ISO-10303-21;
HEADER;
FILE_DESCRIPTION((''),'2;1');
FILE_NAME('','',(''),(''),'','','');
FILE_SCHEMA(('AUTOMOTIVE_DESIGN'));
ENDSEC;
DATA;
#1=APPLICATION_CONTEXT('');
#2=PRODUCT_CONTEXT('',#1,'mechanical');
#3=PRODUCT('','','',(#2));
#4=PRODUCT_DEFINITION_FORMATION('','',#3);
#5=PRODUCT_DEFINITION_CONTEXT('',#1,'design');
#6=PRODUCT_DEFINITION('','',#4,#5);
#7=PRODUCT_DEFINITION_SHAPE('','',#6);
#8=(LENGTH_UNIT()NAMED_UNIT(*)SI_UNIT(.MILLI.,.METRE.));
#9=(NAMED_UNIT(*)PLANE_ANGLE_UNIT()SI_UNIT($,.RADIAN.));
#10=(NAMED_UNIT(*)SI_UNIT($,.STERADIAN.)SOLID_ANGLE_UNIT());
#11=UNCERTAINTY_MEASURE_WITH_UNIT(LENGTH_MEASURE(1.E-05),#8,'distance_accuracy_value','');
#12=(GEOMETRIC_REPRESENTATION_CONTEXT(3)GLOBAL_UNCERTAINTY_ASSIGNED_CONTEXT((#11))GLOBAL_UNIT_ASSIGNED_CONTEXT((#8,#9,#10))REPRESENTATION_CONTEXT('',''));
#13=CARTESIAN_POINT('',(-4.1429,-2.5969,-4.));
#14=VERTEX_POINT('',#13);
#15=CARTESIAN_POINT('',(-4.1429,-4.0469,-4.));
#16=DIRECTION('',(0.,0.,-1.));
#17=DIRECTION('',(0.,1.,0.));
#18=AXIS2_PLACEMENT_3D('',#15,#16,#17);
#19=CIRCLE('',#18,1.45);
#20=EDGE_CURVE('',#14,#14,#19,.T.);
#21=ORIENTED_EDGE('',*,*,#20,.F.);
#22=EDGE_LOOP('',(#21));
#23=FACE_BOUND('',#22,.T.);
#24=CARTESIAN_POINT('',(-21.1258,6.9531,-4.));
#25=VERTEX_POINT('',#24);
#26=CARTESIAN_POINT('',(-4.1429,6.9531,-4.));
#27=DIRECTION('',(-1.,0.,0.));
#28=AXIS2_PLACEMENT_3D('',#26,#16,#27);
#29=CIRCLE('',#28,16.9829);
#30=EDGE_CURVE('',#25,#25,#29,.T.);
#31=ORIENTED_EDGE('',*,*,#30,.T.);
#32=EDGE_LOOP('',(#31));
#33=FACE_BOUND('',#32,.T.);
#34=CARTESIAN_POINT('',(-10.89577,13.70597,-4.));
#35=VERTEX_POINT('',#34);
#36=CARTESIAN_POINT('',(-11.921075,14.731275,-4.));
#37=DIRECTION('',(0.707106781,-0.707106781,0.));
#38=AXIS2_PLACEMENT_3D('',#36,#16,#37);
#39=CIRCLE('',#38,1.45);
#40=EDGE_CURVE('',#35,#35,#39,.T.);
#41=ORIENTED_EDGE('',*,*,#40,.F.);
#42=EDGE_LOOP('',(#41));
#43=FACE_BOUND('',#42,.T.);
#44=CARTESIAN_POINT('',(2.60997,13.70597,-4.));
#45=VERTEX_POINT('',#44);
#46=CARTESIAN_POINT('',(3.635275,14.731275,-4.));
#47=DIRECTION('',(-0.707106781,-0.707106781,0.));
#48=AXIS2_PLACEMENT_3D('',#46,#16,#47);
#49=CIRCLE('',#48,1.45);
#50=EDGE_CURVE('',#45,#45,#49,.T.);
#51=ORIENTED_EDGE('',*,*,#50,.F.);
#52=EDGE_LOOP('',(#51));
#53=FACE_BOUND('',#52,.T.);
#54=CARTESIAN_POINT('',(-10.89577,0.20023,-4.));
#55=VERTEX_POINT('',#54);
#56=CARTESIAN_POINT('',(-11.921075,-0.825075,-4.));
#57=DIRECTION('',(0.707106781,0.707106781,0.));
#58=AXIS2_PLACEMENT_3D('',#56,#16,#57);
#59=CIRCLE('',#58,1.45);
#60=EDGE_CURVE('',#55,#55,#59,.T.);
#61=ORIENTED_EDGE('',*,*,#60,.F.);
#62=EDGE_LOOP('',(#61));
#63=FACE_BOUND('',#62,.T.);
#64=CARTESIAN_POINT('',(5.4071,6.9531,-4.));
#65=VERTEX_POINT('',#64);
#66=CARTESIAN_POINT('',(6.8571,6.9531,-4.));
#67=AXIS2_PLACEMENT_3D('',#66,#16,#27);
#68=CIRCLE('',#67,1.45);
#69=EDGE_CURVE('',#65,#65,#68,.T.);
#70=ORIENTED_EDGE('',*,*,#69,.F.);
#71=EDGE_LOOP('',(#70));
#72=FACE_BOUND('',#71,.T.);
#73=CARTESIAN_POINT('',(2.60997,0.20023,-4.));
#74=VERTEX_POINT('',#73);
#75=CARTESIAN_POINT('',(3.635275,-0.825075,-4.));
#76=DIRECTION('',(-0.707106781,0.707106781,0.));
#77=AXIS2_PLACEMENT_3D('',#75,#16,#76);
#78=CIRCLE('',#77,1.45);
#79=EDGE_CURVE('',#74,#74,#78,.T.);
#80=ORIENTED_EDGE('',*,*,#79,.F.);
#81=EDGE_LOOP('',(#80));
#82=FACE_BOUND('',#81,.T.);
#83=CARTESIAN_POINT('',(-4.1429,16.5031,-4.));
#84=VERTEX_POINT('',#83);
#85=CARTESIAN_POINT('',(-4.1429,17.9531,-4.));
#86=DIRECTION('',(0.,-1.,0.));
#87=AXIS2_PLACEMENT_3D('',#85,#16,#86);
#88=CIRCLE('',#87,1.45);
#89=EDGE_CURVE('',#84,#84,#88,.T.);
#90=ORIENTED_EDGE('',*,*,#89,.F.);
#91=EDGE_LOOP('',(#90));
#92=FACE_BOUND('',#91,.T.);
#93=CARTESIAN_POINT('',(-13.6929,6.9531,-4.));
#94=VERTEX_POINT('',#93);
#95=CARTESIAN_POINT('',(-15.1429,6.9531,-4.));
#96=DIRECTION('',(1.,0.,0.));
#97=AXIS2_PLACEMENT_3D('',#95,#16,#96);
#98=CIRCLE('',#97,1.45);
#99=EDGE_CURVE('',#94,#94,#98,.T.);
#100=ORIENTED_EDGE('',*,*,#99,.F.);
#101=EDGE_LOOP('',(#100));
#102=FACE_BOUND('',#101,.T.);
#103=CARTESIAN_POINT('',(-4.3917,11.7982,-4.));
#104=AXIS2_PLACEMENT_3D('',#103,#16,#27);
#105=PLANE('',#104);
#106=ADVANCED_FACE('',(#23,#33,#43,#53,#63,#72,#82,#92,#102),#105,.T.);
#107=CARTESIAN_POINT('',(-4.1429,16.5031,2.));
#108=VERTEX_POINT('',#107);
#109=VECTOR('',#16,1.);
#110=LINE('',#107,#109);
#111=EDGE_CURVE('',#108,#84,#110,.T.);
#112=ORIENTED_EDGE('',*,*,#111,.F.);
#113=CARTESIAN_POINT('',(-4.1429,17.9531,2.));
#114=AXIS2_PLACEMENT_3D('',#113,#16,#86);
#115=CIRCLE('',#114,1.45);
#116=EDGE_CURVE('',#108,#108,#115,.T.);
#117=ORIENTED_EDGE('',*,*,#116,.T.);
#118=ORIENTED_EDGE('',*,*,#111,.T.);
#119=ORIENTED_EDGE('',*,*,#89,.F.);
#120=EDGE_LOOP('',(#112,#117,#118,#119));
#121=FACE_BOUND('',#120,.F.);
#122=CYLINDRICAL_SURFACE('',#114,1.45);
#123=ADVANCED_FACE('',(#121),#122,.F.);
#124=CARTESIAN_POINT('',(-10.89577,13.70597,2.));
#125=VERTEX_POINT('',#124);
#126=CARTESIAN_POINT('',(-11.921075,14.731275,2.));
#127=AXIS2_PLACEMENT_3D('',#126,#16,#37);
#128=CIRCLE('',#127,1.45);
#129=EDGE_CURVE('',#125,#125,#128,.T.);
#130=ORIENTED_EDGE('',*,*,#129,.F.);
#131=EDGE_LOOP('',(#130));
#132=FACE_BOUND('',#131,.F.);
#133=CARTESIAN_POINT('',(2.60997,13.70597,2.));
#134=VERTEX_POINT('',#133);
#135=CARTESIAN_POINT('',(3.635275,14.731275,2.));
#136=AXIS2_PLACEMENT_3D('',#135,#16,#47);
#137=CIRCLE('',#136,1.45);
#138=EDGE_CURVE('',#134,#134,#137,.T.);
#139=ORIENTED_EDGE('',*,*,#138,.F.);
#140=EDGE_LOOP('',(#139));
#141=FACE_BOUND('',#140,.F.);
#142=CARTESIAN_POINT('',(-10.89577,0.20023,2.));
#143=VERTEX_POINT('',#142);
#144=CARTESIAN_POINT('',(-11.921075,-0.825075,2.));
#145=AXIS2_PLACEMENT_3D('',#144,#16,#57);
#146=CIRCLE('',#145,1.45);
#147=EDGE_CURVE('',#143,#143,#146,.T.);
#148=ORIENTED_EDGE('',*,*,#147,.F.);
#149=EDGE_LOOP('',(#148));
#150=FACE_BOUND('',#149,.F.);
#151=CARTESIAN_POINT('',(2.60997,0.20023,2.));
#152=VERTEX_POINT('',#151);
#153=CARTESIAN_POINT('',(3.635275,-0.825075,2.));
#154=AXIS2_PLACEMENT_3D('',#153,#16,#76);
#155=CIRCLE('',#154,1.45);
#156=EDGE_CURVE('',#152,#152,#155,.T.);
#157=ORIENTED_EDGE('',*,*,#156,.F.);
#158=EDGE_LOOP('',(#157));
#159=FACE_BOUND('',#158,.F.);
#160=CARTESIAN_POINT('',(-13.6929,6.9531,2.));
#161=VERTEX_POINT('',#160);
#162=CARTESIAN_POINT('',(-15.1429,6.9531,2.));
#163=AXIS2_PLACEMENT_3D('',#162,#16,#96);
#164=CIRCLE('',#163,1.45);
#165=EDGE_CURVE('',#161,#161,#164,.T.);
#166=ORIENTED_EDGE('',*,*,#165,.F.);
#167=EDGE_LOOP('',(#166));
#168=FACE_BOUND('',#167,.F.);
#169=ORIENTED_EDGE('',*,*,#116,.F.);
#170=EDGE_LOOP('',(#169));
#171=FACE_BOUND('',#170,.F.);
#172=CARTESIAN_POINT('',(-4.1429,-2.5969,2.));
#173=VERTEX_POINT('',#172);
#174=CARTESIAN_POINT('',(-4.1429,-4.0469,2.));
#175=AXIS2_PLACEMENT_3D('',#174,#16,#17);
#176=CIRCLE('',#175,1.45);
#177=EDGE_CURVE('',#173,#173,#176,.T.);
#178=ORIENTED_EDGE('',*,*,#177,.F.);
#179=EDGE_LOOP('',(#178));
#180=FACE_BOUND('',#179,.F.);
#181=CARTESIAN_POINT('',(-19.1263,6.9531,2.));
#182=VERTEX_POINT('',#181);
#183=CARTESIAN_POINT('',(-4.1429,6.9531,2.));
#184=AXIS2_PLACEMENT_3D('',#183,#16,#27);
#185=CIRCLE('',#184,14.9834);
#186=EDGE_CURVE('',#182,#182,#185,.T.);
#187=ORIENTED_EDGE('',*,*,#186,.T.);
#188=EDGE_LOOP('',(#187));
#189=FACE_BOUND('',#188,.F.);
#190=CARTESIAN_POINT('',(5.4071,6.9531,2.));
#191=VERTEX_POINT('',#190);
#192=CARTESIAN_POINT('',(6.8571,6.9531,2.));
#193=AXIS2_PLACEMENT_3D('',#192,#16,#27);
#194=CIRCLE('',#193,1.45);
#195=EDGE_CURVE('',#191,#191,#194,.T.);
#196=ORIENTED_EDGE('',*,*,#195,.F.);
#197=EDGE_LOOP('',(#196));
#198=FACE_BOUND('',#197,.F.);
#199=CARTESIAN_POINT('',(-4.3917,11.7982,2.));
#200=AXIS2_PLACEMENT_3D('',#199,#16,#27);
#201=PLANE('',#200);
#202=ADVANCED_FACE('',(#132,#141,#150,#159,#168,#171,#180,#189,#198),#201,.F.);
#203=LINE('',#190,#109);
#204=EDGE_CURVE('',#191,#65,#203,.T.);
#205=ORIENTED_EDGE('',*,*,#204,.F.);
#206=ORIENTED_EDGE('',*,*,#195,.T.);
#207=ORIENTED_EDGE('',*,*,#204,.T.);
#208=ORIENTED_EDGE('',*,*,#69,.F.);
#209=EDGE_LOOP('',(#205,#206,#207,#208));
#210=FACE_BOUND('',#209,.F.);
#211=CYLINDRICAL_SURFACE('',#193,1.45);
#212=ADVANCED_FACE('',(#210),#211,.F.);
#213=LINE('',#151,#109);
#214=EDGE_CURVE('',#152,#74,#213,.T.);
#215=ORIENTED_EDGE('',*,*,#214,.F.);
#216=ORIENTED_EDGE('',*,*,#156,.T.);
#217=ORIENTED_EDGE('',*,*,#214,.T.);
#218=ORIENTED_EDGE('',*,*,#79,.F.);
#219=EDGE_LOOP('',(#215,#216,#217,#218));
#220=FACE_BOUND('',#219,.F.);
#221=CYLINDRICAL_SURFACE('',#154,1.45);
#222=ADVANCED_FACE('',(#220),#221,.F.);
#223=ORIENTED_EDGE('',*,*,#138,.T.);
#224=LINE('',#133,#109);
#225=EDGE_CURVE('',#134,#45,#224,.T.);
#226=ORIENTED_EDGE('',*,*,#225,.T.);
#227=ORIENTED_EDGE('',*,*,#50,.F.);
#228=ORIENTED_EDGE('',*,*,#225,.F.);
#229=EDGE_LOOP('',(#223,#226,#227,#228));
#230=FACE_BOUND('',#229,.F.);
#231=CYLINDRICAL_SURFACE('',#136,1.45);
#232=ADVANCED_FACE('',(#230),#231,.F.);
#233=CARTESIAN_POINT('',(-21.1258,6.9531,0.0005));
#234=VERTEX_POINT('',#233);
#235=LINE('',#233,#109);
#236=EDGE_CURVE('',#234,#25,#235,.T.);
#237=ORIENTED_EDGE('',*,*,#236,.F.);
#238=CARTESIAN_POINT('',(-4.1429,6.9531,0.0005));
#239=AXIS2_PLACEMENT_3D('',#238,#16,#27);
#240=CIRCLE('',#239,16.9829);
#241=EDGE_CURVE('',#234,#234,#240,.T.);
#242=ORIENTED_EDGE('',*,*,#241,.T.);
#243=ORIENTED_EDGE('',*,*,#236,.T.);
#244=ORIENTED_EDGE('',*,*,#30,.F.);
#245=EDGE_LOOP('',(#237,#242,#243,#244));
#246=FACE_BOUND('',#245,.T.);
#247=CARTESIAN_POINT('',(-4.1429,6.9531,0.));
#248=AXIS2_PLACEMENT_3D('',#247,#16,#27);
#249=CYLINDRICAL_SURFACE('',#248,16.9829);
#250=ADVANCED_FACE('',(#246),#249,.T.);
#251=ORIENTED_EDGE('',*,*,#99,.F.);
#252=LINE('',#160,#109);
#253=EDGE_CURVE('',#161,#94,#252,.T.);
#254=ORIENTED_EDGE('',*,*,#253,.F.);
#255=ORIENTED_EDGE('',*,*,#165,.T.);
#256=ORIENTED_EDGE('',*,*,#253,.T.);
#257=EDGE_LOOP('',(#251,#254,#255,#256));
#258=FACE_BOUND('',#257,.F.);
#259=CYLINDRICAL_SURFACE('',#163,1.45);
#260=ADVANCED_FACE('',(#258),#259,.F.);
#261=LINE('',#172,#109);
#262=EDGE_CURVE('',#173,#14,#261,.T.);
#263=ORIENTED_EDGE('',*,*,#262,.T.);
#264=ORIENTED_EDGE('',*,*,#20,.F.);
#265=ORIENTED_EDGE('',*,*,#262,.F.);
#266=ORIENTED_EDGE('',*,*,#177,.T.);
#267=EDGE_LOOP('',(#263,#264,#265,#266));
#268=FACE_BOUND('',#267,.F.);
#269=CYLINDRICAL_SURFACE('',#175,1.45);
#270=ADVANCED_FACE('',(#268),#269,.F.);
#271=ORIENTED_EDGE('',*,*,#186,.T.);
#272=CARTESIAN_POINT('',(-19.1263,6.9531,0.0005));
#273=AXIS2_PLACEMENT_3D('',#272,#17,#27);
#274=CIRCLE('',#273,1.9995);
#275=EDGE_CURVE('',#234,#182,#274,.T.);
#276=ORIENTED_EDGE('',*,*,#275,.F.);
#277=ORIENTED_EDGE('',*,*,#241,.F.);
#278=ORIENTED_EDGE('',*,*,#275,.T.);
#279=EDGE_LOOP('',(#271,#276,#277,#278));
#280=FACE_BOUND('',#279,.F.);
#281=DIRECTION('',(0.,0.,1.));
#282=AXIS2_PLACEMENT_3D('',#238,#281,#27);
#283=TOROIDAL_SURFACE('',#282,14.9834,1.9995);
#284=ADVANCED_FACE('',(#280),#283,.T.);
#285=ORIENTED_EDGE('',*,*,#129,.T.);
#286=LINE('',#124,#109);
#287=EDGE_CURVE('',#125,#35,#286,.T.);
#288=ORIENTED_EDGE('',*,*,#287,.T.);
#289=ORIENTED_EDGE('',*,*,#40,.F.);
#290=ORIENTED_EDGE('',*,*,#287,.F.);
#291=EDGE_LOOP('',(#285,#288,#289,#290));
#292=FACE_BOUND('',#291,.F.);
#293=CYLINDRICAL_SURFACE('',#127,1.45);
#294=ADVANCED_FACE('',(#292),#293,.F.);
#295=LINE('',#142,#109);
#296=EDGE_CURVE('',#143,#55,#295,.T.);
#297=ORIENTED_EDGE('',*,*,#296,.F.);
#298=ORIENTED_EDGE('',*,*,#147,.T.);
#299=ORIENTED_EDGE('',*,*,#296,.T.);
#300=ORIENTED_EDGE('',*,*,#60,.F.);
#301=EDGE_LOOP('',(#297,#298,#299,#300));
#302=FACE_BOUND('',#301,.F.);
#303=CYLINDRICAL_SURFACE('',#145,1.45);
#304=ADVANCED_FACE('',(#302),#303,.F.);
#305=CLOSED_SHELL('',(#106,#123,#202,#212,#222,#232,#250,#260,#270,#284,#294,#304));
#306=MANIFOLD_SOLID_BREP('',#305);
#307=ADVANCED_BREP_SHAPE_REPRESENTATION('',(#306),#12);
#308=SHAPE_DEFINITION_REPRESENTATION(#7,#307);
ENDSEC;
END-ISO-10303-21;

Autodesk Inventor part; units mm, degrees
ref_plane "YZ Plane" through (0, 0, 0) normal (1, 0, 0) x (0, 1, 0)
ref_plane "XZ Plane" through (0, 0, 0) normal (0, 1, 0) x (-1, 0, 0)
ref_plane "XY Plane" through (0, 0, 0) normal (0, 0, 1) x (1, 0, 0)
sketch "Skizze1" plane through (-4.3917, 11.7982, 0) normal (0, 0, -1) x (-1, 0, 0)
  circle A0 centre (-0.2488, -4.8451) radius 16.9829
  point P0 (-4.3917, -11.7982)
extrude "Extrusion1" add sketch "Skizze1" along normal blind 4 and the other way blind 2
fillet "Rundung1" radius 2 1 edges at (12.8401, 6.9531, 2)
sketch "Skizze2" plane through (-4.1429, 6.9531, 2) normal (0, 0, 1) x (1, 0, 0)
  circle A0 centre (0, 0) radius 14.9829 construction
  point P0 (4.1429, -6.9531)
  point P1 (0, 11)
  dimension "d5" = 11
hole "Bohrung1" at (-4.1429, 17.9531, 2) direction (0, 0, -1) diameter 2.9 end through all clearance for "Inbusschraube ISO 4762" size "M2.5" standard "ISO"
pattern_circular "Runde Anordnung1" count 8 over 360 about axis through (-4.1429, 6.9531, 0) along (0, 0, -1) of "Bohrung1"
properties part number "Pointing_Finger"
